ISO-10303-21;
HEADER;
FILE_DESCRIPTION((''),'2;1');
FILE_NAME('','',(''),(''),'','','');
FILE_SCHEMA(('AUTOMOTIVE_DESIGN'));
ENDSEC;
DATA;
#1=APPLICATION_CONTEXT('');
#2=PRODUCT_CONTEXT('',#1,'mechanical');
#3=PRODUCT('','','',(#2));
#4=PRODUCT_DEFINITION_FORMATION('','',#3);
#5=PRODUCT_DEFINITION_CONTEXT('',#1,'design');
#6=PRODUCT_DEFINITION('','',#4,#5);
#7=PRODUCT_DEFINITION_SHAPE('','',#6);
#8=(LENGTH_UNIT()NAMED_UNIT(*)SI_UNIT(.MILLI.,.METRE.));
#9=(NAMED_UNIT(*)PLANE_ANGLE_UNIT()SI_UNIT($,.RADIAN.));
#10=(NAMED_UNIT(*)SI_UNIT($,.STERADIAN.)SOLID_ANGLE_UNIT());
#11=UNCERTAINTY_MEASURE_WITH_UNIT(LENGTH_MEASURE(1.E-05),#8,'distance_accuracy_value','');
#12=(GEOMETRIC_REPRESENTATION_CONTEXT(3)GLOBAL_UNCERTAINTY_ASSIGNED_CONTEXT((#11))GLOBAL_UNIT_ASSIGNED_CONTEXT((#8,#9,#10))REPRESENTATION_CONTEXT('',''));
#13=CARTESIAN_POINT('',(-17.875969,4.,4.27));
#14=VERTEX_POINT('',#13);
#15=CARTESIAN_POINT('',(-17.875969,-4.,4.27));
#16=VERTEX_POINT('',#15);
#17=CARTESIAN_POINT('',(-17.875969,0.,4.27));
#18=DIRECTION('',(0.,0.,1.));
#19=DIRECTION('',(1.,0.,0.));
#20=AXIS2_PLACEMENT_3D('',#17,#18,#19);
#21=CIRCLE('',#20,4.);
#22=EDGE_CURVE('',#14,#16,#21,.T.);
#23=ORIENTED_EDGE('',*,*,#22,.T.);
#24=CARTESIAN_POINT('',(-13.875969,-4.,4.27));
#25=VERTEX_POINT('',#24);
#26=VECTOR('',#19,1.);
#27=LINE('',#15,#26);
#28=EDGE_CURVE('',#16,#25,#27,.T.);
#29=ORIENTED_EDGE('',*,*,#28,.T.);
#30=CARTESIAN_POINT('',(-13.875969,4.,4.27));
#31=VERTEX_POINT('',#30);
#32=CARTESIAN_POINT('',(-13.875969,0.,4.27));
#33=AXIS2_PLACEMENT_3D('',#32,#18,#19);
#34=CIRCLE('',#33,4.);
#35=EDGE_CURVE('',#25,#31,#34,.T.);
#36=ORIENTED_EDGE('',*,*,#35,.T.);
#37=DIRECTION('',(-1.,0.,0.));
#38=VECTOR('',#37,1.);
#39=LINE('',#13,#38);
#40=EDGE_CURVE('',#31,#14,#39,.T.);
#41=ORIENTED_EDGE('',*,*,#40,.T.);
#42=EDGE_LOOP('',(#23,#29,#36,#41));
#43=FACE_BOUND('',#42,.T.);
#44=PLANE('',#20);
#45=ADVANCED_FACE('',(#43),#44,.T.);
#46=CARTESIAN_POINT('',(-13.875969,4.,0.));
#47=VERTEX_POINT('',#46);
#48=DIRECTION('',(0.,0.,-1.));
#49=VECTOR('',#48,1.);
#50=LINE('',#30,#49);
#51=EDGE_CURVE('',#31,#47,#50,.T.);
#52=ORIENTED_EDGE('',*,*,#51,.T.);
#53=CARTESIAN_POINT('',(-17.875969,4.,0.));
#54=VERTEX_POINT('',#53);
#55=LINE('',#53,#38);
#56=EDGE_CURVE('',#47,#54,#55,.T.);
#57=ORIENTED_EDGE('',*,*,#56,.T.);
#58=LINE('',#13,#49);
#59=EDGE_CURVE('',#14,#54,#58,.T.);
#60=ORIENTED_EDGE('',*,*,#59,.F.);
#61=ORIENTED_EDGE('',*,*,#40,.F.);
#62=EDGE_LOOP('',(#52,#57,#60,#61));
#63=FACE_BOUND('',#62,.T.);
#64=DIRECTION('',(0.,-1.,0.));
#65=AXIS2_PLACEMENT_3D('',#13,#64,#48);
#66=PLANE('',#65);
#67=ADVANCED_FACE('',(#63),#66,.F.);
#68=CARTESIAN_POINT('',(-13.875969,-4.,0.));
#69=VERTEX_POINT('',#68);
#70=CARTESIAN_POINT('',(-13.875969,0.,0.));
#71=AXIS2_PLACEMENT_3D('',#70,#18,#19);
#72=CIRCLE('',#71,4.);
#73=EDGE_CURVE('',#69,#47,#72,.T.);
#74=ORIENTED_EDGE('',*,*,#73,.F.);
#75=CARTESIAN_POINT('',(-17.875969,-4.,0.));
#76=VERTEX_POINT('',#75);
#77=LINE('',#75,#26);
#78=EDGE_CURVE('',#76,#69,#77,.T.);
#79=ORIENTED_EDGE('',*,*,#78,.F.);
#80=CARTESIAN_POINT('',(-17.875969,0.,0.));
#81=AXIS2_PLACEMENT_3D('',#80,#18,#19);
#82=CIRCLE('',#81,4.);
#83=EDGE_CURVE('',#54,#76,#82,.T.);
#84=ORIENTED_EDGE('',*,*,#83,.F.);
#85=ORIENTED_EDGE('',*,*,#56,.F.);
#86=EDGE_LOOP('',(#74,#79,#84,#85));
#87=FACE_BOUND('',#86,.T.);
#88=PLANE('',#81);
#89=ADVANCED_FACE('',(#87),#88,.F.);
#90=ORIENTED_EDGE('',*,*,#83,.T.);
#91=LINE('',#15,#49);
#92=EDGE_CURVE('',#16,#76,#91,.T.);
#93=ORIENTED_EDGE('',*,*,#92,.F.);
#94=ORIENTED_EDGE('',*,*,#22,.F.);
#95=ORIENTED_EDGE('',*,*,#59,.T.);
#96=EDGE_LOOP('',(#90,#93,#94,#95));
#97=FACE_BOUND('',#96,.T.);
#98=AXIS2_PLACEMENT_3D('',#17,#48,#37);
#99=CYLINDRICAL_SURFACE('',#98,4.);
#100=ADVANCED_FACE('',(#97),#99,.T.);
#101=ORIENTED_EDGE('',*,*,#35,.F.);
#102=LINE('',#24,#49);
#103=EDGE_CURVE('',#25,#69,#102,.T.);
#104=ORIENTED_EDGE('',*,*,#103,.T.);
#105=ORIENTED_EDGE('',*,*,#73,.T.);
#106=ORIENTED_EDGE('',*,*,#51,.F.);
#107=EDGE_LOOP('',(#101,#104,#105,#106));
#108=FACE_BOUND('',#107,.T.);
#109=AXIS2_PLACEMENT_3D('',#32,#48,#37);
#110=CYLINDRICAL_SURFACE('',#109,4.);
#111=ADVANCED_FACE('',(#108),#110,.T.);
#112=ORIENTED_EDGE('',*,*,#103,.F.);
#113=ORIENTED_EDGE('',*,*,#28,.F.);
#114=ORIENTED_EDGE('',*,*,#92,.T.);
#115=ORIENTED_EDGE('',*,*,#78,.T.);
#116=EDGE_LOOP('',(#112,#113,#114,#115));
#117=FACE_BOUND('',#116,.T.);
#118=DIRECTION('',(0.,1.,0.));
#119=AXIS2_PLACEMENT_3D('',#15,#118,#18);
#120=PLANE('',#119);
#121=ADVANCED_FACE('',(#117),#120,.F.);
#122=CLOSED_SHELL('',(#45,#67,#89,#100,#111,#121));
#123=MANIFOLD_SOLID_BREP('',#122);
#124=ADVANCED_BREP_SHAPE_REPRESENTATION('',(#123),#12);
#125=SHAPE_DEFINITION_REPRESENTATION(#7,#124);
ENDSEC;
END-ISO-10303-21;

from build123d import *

# Parameters (mm, degrees)
EXTRUDE_1_DEPTH = 4.27


with BuildPart() as part:
    # 草图1 → 凸台-拉伸1 (new body)
    with BuildSketch(Plane.XY):
        with BuildLine():
            Line((-17.875968791, 4), (-13.875968791, 4))
            ThreePointArc((-13.875968791, 4), (-9.875968791, 0), (-13.875968791, -4))
            Line((-13.875968791, -4), (-17.875968791, -4))
            ThreePointArc((-17.875968791, -4), (-21.875968791, 0), (-17.875968791, 4))
        make_face()
    extrude(amount=EXTRUDE_1_DEPTH)


solid = part.part
